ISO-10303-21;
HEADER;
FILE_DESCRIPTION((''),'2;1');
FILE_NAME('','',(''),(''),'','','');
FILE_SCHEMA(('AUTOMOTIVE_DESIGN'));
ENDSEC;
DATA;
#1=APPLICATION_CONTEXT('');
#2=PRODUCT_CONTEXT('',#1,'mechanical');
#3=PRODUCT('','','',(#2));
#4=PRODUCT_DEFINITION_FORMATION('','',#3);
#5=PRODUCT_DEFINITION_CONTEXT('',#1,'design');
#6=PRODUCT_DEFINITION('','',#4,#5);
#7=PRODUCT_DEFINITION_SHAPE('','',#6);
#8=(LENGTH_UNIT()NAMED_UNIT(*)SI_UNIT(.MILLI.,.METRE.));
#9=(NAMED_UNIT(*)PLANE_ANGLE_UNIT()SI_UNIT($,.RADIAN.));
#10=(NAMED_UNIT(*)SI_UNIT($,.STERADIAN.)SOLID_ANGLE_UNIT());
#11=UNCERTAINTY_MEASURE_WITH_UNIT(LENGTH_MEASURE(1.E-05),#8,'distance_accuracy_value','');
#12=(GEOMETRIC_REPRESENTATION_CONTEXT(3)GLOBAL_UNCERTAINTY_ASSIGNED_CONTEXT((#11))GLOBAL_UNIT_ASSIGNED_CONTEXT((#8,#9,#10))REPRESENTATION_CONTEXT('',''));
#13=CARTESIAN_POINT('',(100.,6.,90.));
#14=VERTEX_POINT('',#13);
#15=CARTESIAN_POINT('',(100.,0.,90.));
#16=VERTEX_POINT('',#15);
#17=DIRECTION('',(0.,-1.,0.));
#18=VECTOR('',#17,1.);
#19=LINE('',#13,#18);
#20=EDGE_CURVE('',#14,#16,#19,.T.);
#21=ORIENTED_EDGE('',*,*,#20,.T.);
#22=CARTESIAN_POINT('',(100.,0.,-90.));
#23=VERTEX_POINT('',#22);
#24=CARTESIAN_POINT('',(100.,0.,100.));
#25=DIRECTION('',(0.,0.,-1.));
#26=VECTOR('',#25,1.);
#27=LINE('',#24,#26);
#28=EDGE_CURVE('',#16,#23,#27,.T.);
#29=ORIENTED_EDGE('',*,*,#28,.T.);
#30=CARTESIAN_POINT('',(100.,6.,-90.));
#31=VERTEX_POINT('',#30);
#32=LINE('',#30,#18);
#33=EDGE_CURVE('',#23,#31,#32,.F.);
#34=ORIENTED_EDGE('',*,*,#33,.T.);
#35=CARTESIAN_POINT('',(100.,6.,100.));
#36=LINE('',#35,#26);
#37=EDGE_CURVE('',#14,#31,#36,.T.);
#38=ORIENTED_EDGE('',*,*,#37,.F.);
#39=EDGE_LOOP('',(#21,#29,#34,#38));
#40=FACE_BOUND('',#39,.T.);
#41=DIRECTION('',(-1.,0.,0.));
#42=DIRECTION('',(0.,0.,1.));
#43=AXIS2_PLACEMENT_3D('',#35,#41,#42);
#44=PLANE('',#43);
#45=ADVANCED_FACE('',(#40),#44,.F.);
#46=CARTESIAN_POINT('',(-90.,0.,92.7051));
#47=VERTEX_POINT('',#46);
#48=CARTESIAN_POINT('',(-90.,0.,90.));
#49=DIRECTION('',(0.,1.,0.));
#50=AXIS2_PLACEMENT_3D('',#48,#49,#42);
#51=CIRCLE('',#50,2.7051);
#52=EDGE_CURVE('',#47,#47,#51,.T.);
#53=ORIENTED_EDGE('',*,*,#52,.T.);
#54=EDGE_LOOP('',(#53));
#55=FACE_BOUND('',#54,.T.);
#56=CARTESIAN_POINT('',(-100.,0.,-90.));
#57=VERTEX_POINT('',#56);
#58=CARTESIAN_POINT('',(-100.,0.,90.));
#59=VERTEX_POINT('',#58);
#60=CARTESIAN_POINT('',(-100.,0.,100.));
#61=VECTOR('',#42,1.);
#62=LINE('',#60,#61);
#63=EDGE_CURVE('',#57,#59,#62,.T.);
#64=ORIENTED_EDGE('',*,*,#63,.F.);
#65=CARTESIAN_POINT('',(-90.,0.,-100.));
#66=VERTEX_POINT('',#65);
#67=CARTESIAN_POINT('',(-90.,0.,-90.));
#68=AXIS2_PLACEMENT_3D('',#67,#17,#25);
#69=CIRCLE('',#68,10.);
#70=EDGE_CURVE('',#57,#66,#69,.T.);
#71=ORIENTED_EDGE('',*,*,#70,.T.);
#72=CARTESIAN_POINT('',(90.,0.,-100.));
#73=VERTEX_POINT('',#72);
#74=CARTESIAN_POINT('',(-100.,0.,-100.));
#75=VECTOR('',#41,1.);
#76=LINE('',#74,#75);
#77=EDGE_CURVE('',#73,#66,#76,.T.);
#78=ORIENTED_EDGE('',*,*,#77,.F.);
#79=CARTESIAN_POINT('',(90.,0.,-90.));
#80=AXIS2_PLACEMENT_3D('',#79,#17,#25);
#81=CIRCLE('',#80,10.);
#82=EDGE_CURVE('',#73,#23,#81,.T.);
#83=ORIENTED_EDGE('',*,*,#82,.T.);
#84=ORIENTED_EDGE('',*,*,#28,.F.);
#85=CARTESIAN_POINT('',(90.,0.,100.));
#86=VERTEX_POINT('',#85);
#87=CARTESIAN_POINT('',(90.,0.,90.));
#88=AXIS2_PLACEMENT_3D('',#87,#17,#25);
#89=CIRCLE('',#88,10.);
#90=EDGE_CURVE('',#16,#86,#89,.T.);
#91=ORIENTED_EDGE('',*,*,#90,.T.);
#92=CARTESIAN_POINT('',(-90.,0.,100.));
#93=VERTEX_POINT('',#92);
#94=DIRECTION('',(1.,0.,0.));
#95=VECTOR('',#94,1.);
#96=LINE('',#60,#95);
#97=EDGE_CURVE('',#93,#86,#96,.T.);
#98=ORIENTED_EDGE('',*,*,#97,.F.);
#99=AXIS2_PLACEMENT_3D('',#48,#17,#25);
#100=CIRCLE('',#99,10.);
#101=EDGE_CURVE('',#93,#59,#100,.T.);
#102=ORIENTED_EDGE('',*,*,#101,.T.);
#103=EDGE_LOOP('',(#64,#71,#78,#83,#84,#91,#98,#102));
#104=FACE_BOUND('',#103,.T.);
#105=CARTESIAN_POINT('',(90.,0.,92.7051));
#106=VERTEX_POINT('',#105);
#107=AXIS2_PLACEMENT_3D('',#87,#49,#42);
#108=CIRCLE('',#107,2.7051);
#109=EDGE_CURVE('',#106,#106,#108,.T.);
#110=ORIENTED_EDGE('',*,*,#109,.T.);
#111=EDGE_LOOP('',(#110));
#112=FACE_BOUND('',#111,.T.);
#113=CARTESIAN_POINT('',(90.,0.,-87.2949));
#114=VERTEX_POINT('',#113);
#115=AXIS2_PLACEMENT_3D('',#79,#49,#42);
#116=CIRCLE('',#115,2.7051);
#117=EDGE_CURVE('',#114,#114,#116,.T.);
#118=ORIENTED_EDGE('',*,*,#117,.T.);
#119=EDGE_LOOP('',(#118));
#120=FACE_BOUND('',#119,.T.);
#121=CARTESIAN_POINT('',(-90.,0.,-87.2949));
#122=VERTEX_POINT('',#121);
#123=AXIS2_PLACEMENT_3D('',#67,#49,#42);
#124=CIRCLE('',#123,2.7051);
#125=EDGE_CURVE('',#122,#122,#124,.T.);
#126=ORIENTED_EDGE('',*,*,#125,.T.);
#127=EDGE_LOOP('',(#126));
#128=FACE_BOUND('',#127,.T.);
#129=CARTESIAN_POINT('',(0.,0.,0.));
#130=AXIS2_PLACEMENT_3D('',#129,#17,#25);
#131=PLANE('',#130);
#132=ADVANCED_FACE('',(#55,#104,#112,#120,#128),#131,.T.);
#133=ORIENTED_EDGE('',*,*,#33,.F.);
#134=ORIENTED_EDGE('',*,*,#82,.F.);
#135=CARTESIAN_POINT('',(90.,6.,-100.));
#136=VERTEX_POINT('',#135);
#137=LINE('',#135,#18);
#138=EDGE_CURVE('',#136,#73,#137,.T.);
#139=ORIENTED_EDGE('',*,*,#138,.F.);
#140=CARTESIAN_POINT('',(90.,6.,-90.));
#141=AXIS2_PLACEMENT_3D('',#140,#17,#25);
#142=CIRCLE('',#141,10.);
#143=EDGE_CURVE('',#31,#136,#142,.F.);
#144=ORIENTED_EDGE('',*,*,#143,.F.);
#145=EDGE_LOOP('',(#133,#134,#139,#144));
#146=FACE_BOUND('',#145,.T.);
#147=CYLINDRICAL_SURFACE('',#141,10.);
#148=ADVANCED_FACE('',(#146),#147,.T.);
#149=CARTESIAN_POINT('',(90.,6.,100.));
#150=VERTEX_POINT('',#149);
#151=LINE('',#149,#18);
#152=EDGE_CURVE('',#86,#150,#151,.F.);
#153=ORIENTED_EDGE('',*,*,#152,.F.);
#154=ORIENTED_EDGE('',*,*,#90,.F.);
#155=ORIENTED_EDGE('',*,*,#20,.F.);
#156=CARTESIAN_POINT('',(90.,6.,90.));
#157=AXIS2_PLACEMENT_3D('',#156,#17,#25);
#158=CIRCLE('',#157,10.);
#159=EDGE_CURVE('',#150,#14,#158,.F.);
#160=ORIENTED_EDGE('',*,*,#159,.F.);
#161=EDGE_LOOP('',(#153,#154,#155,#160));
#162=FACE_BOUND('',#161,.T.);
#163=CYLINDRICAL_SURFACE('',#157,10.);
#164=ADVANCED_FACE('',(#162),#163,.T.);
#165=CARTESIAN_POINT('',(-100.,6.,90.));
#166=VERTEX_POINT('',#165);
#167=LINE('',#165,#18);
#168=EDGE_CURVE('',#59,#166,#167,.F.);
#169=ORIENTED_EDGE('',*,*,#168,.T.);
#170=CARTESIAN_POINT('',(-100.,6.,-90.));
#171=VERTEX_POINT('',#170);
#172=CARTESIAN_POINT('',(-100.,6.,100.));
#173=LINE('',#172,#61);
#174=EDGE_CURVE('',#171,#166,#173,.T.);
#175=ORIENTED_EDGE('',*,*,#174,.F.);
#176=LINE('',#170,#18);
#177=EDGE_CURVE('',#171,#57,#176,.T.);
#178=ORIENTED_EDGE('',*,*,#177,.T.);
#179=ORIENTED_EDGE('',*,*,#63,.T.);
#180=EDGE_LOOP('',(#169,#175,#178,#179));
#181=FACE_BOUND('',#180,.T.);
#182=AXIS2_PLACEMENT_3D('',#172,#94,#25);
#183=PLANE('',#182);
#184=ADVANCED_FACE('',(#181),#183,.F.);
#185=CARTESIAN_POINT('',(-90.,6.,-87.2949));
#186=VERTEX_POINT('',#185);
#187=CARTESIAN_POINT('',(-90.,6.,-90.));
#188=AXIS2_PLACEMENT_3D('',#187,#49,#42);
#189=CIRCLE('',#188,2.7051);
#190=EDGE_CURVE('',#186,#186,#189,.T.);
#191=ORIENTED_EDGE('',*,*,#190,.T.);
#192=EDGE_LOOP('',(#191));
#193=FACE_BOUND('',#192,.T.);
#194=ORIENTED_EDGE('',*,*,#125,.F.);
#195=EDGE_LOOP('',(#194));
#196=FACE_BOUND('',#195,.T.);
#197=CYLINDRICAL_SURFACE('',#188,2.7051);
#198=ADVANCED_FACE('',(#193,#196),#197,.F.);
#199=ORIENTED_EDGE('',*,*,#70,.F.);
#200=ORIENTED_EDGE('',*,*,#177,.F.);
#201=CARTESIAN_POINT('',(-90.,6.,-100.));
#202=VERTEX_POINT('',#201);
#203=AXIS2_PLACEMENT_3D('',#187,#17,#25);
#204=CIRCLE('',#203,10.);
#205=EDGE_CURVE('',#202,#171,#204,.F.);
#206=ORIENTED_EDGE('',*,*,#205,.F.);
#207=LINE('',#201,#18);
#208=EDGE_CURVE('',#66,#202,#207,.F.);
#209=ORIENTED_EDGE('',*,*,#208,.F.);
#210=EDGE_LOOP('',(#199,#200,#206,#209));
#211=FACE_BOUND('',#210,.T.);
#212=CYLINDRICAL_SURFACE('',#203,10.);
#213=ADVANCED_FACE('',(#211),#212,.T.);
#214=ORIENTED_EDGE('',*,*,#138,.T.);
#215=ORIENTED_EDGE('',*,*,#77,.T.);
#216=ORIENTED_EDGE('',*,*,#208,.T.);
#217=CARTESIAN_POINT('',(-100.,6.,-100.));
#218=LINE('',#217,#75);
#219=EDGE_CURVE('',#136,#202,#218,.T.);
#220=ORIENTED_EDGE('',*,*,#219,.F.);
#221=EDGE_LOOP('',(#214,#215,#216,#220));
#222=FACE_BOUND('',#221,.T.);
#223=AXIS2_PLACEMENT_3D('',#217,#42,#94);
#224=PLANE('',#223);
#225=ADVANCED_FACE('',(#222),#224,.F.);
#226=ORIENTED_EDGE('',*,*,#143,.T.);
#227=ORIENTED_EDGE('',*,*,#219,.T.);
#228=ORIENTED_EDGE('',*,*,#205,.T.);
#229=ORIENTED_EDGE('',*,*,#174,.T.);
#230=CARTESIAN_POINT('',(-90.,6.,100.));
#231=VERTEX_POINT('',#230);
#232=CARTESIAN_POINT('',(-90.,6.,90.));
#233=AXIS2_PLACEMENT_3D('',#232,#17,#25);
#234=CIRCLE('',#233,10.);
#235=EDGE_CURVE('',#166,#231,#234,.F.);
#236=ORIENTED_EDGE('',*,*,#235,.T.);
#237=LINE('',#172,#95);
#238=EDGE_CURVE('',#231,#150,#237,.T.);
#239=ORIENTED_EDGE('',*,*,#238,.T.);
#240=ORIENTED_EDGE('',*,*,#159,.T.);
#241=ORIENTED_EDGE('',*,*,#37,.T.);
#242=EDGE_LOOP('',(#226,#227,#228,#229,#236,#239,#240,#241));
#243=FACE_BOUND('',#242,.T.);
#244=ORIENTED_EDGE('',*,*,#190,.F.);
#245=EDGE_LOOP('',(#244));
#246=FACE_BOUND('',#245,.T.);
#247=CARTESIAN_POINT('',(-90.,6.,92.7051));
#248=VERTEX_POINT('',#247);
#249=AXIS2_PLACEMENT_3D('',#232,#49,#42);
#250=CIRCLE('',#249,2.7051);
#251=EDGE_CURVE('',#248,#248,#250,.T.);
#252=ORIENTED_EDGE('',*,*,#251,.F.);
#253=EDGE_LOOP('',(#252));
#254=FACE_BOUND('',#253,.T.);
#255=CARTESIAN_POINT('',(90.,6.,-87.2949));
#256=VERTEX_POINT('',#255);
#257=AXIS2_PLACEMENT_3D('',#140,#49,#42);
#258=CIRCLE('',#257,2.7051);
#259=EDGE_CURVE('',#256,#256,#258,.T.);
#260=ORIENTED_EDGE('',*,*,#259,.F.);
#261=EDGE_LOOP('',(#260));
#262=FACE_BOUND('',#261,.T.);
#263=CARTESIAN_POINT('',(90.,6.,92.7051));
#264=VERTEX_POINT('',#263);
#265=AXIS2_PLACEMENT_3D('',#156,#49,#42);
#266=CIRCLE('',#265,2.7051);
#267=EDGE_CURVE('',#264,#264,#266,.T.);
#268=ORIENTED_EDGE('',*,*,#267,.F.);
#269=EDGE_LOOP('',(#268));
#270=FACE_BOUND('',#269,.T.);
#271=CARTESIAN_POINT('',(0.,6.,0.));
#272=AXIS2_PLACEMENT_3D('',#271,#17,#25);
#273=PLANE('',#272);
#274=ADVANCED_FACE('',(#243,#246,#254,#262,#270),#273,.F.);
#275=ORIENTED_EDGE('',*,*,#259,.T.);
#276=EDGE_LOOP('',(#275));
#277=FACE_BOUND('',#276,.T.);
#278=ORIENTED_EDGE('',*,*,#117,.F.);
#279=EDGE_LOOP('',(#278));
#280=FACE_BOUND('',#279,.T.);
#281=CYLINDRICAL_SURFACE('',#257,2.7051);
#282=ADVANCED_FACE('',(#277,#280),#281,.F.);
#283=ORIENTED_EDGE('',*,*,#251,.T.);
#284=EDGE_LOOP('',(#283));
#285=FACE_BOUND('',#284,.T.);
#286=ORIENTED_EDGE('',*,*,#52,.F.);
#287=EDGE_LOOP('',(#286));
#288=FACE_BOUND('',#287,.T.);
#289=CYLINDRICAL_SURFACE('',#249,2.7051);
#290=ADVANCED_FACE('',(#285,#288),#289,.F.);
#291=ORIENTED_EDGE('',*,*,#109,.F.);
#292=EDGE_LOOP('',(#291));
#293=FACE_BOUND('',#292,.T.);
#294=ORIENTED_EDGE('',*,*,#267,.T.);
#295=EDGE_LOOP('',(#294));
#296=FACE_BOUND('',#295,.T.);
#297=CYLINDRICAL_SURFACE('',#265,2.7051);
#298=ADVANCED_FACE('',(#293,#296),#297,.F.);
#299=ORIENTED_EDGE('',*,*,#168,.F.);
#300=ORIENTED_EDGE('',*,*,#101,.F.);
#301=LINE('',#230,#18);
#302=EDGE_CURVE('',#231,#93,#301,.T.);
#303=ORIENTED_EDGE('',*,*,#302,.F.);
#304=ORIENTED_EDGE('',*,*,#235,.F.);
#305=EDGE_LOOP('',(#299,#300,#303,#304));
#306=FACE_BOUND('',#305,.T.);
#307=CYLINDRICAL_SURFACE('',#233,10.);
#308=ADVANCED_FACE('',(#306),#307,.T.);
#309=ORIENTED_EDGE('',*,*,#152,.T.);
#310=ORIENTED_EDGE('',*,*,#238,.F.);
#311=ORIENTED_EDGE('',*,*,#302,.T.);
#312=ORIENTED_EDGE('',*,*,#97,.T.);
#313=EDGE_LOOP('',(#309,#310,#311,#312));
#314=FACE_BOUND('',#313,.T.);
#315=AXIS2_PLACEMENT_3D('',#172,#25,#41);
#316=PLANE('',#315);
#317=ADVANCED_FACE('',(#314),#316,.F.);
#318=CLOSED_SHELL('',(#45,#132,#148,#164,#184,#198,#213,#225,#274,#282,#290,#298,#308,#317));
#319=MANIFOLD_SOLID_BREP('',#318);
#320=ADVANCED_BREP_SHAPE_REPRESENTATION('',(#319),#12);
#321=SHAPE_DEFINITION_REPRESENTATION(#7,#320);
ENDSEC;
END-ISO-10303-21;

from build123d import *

# Parameters (mm, degrees)
SKETCH1_W                   = 200
SKETCH1_H                   = 200
BOSS_EXTRUDE1_DEPTH         = 6
FILLET1_R                   = 10
TAP_DRILL_FOR_1_4_28_TAP1_D = 5.4102


with BuildPart() as part:
    # Sketch1 → Boss-Extrude1 (new body)
    with BuildSketch(Plane(origin=(0, 0, 0), x_dir=(1, 0, 0), z_dir=(0, 1, 0))):
        Rectangle(SKETCH1_W, SKETCH1_H)
    extrude(amount=BOSS_EXTRUDE1_DEPTH)

    # Fillet1
    fillet1_edges = [part.edges().sort_by_distance(p)[0] for p in [
        (100, 3, 100),
        (-100, 3, 100),
        (-100, 3, -100),
        (100, 3, -100),
    ]]
    fillet(fillet1_edges, radius=FILLET1_R)

    # Tap Drill for 1/4-28 Tap1 (through all)
    with Locations(Plane(origin=(0, 6, 0), x_dir=(1, 0, 0), z_dir=(0, 1, 0))):
        with Locations((-90, 90), (90, 90), (90, -90), (-90, -90)):
            Hole(TAP_DRILL_FOR_1_4_28_TAP1_D / 2)


solid = part.part
